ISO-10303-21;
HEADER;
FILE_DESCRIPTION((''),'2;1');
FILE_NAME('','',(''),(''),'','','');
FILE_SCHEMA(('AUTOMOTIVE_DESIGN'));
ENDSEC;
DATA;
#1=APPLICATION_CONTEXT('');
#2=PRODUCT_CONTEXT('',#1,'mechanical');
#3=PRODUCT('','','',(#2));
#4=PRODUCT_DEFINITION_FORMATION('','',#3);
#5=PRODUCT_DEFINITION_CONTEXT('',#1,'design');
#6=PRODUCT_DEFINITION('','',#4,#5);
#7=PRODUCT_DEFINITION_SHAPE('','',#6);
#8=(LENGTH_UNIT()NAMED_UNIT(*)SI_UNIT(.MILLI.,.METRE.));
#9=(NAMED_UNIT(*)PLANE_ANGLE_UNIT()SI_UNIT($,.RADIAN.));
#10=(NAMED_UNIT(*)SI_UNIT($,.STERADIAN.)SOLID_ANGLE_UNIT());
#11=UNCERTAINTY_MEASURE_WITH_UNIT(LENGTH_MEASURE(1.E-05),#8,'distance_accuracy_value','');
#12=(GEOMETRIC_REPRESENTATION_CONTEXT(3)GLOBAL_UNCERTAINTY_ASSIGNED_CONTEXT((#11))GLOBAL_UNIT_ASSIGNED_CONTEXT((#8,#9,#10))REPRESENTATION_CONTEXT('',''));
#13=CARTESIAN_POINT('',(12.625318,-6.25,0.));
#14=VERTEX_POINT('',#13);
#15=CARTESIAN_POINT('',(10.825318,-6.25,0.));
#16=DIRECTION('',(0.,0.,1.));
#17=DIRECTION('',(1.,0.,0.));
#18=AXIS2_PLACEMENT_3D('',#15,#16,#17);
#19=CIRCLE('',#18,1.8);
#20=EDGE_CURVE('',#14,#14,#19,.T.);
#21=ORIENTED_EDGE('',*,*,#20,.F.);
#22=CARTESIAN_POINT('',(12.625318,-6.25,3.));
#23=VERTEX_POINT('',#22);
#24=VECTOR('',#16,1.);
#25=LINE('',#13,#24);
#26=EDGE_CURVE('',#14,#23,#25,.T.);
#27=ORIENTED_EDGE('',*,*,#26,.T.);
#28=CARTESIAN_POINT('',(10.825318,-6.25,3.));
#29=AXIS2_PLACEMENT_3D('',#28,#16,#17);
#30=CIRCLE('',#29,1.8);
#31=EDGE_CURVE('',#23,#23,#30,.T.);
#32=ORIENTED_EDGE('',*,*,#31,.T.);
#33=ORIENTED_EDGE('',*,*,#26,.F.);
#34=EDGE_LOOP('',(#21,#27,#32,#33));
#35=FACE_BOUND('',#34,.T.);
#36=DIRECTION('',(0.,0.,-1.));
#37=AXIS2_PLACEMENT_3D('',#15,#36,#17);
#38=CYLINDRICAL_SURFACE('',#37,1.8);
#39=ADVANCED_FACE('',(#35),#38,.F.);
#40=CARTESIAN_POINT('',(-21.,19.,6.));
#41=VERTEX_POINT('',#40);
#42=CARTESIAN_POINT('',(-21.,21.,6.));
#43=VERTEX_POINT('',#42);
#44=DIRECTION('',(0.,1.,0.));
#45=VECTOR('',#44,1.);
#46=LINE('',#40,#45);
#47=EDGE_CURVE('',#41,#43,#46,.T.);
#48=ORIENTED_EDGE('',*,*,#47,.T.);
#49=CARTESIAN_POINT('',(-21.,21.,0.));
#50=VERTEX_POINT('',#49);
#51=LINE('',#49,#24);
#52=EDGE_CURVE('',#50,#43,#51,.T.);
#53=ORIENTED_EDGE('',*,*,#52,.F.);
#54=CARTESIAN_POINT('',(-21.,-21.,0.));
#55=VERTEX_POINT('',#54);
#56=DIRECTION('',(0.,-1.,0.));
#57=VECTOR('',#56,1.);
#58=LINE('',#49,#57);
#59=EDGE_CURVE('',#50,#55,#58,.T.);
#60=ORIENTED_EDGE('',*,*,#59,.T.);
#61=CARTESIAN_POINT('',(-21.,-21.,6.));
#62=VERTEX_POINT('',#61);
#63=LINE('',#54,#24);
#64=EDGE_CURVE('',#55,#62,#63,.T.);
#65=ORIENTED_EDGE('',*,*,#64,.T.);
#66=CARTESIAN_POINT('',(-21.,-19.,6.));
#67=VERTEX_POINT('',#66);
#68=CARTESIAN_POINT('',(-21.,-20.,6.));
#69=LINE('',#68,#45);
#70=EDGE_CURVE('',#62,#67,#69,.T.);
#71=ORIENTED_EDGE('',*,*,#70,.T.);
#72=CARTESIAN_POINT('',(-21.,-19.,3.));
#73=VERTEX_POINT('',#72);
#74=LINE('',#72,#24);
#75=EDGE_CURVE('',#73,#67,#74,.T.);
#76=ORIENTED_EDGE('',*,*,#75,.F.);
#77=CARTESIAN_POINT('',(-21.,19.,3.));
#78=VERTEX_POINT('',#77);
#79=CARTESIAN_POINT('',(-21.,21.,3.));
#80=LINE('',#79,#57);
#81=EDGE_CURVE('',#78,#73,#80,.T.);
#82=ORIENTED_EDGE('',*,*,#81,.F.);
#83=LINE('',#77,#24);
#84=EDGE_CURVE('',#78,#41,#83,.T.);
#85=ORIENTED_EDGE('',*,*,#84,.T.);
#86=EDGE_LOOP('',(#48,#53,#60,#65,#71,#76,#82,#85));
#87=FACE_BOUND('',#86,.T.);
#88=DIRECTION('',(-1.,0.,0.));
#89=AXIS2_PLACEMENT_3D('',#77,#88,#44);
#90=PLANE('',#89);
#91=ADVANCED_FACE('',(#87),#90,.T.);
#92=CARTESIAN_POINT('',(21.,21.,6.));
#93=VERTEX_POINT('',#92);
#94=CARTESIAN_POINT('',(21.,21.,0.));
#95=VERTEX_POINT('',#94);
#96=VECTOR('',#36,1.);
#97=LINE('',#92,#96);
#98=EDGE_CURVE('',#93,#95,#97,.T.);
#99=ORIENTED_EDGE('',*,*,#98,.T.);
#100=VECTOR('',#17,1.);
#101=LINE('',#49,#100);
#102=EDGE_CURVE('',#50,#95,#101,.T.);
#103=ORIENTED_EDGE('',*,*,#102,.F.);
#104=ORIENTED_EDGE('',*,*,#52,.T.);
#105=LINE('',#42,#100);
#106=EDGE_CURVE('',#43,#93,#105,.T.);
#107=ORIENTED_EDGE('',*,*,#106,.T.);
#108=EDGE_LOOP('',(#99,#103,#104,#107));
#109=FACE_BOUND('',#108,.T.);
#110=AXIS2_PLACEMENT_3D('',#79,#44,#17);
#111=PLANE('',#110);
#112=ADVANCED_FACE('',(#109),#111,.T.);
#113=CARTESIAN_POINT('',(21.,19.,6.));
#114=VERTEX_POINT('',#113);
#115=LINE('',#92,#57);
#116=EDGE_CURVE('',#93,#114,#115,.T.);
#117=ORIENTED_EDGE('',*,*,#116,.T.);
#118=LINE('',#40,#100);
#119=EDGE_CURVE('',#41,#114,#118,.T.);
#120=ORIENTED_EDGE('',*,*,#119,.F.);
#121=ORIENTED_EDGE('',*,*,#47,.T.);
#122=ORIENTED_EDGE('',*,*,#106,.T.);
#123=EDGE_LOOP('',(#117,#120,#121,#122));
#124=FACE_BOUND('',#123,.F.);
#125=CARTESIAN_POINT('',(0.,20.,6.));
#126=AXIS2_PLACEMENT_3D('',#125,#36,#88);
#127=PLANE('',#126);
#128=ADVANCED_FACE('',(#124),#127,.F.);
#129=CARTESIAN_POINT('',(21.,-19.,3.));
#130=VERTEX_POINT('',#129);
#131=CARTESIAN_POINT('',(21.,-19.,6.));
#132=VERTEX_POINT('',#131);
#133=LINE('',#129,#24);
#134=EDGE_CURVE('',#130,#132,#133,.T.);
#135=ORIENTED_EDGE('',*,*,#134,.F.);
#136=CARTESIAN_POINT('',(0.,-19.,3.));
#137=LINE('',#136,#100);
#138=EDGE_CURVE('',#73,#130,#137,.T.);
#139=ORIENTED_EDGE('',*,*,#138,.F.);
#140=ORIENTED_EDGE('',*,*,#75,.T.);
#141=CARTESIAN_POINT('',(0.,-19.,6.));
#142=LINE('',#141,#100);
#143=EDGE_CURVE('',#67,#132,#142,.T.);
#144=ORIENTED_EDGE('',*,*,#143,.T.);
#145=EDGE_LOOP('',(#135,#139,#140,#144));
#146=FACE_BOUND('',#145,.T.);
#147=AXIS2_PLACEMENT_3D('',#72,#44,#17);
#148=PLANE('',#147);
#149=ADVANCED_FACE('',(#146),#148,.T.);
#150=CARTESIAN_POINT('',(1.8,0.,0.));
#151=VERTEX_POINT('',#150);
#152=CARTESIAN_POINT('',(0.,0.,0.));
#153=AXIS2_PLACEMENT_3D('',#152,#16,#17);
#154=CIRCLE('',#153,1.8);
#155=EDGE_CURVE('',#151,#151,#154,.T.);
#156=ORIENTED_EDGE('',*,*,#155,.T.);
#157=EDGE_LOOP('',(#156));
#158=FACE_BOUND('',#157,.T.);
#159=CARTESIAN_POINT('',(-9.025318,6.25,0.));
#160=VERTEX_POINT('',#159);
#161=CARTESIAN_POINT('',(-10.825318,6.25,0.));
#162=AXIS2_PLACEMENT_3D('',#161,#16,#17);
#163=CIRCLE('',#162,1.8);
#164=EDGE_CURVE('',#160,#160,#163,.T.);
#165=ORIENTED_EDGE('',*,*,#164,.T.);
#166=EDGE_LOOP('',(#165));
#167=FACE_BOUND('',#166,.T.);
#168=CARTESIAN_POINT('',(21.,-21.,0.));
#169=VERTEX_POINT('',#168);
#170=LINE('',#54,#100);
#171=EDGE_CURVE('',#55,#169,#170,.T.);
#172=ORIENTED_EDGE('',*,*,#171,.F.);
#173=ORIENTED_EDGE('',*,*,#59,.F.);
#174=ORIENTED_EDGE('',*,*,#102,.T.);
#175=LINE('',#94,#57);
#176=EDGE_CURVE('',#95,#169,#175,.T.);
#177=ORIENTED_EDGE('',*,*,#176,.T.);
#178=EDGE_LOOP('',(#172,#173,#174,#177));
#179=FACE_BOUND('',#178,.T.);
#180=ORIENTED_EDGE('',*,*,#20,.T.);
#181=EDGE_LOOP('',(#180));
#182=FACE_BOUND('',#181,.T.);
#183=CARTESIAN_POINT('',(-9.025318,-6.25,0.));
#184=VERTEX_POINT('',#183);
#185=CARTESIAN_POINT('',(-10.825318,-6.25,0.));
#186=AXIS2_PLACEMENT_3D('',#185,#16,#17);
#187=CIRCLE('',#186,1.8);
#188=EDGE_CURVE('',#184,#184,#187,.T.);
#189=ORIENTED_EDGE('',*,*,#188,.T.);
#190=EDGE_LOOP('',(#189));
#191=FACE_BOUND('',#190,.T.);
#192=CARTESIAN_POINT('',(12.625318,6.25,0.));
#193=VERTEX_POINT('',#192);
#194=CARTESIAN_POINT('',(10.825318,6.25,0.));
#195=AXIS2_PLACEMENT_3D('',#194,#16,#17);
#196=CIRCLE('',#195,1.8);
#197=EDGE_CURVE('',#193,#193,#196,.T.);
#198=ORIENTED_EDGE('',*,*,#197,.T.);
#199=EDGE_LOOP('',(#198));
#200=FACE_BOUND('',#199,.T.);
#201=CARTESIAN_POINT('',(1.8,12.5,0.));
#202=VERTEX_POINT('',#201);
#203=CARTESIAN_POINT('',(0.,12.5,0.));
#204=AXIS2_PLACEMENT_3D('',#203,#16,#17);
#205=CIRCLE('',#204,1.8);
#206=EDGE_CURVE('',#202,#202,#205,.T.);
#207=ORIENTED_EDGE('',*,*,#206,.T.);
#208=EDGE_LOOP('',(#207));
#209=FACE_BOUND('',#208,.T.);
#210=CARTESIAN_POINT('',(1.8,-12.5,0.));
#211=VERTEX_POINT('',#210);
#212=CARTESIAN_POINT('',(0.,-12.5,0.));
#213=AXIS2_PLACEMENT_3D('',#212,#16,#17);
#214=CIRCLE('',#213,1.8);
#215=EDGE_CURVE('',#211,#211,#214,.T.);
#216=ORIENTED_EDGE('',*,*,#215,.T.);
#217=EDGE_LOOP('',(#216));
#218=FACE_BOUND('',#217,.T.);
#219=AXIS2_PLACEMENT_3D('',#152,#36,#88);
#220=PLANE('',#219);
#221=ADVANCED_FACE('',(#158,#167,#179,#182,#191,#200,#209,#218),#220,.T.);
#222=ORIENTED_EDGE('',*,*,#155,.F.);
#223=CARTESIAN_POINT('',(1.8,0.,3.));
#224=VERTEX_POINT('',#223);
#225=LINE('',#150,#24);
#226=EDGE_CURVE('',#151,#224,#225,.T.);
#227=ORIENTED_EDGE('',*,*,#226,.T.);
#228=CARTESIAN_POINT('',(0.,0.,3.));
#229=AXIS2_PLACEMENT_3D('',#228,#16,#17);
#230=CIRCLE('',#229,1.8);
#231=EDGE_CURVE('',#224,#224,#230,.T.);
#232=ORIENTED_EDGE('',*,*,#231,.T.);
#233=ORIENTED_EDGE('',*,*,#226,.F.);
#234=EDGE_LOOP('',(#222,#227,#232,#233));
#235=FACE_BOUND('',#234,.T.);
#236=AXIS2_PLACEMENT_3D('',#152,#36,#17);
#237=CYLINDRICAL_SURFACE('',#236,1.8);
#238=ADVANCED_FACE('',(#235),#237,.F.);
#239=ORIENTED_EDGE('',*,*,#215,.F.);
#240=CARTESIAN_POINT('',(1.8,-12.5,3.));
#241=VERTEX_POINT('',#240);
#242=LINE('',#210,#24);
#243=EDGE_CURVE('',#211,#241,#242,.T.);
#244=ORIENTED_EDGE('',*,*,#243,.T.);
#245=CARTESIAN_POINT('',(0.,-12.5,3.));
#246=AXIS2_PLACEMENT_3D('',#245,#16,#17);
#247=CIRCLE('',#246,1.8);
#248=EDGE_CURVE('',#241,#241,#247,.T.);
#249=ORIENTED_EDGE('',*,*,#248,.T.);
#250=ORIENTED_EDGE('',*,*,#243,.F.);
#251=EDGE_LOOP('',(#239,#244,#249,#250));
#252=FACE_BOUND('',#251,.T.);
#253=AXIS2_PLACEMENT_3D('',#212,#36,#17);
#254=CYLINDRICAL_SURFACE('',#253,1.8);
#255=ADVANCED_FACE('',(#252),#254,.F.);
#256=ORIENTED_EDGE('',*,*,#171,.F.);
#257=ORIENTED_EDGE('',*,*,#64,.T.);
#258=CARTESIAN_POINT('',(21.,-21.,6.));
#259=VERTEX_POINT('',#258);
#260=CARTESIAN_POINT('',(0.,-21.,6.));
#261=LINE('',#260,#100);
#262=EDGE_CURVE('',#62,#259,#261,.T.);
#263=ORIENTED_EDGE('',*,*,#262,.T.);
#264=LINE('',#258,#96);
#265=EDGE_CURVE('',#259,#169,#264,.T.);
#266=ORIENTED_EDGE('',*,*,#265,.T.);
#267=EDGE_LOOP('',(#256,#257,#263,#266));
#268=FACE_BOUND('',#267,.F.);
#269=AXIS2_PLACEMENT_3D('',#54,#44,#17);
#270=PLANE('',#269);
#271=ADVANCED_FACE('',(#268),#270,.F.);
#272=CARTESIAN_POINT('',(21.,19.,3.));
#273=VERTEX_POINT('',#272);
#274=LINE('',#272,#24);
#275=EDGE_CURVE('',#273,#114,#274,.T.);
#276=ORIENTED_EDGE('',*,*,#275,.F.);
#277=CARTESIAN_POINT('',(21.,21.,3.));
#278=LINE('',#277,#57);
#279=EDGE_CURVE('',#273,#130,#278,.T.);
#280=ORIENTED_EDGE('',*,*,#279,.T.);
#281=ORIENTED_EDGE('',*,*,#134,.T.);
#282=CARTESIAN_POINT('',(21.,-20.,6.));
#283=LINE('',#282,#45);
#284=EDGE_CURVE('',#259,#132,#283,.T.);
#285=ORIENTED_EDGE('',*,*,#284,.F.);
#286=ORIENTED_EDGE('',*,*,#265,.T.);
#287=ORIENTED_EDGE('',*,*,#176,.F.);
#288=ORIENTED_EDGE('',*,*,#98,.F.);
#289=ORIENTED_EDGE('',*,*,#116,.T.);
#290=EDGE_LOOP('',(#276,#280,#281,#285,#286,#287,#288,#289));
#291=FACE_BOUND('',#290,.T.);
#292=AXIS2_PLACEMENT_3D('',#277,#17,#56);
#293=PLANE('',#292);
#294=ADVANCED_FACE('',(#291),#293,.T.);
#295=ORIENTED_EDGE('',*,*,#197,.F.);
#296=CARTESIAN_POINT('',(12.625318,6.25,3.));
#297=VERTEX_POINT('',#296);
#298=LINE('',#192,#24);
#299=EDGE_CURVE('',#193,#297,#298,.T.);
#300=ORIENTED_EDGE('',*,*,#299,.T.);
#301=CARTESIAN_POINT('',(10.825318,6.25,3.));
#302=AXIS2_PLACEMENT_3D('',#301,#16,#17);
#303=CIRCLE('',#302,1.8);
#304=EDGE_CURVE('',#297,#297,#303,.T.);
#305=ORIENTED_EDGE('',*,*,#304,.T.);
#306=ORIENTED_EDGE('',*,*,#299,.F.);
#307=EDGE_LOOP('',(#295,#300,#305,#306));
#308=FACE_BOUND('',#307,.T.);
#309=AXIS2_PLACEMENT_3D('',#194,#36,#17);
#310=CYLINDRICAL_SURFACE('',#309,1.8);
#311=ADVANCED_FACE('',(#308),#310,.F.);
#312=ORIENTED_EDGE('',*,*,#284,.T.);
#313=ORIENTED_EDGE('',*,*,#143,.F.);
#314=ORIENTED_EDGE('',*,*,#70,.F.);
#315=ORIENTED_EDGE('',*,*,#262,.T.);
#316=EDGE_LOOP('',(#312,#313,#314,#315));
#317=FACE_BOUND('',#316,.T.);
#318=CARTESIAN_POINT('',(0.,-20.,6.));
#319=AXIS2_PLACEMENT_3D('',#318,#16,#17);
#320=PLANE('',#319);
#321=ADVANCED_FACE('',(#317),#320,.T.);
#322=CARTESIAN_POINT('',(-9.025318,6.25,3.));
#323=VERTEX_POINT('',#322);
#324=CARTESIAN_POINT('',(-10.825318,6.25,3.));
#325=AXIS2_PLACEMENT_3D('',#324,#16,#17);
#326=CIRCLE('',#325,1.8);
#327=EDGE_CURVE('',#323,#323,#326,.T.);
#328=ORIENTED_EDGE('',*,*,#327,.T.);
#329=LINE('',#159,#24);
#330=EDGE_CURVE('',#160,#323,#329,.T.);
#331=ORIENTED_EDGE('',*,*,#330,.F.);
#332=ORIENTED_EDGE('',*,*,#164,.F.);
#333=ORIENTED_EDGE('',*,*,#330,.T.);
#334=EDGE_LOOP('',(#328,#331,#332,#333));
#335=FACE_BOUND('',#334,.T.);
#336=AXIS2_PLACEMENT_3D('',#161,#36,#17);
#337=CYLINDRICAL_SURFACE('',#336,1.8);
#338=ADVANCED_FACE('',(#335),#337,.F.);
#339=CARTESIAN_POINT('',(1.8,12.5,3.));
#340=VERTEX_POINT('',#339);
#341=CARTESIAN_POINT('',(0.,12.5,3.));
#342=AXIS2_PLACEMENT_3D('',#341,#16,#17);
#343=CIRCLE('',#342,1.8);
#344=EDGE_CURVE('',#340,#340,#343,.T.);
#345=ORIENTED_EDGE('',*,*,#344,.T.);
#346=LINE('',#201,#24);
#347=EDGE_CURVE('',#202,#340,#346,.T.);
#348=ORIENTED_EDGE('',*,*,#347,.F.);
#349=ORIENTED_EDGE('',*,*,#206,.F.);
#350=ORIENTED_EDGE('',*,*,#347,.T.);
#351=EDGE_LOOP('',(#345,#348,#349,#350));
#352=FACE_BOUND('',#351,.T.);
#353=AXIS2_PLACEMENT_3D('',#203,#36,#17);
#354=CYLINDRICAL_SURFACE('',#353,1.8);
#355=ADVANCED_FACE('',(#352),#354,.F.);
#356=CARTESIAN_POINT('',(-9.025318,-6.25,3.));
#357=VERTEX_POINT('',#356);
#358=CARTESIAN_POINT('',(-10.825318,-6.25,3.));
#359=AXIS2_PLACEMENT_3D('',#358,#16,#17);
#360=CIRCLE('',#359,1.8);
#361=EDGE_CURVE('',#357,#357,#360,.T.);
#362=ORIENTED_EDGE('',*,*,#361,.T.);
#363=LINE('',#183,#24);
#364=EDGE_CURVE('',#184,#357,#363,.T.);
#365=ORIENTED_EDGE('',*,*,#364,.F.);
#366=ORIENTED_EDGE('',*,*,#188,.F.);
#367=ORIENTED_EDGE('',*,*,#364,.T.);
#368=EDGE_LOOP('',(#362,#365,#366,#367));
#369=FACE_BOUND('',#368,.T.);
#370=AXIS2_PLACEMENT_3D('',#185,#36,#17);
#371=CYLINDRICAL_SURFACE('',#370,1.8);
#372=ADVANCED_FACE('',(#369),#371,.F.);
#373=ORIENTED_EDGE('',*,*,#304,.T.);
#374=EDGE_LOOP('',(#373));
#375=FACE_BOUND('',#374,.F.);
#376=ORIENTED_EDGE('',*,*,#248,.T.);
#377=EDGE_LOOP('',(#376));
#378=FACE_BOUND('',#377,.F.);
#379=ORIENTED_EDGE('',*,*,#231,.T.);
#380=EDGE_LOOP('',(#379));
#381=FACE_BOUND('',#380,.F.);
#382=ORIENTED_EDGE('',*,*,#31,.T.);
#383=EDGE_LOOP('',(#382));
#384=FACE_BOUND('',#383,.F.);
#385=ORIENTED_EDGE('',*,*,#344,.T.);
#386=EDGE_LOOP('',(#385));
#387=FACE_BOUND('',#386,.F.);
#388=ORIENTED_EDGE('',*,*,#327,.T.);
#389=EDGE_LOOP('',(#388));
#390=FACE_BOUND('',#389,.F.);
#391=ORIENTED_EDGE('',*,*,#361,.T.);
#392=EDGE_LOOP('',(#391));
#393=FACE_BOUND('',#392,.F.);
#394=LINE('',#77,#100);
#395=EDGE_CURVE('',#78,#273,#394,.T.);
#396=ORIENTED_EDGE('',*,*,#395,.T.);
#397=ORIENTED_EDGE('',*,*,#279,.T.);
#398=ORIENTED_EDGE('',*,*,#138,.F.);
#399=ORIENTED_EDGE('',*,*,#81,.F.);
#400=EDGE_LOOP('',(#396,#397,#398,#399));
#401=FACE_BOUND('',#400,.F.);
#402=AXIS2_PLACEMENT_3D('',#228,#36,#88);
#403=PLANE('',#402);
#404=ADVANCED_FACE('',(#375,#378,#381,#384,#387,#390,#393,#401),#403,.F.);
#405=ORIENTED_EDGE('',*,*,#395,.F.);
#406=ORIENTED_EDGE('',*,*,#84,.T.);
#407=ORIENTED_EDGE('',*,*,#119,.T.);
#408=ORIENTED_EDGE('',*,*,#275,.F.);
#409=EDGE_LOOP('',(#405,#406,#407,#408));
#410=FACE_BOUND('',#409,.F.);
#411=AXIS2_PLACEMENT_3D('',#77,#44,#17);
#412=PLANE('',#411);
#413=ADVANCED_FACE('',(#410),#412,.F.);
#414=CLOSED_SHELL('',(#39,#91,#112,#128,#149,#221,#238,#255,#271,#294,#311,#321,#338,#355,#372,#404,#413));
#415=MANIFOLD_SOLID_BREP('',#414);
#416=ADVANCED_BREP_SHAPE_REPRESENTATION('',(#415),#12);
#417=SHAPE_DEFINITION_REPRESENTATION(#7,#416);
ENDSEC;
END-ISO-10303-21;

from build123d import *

# Parameters (mm, degrees)
SKETCH_R     = 1.8
PAD_DEPTH    = 3
SKETCH001_W  = 42
SKETCH001_H  = 2
PAD001_DEPTH = 3


with BuildPart() as part:
    # Sketch → Pad (new body)
    with BuildSketch(Plane.XY):
        Polygon((-21, 21), (21, 21), (21, -21), (0, -21), (-21, -21), (-21, 0), align=None)
        with Locations((0, 12.5)):
            Circle(SKETCH_R, mode=Mode.SUBTRACT)
        with Locations((10.825318, 6.25)):
            Circle(SKETCH_R, mode=Mode.SUBTRACT)
        with Locations((10.825318, -6.25)):
            Circle(SKETCH_R, mode=Mode.SUBTRACT)
        with Locations((0, -12.5)):
            Circle(SKETCH_R, mode=Mode.SUBTRACT)
        with Locations((-10.825318, -6.25)):
            Circle(SKETCH_R, mode=Mode.SUBTRACT)
        with Locations((-10.825318, 6.25)):
            Circle(SKETCH_R, mode=Mode.SUBTRACT)
        Circle(SKETCH_R, mode=Mode.SUBTRACT)
    extrude(amount=PAD_DEPTH)

    # Sketch001 → Pad001 (new body)
    with BuildSketch(Plane.XY.offset(3)):
        Polygon((-21, 21), (21, 21), (21, 19), (0, 19), (-21, 19), align=None)
        with Locations((0, -20)):
            Rectangle(SKETCH001_W, SKETCH001_H)
    extrude(amount=PAD001_DEPTH)


solid = part.part
